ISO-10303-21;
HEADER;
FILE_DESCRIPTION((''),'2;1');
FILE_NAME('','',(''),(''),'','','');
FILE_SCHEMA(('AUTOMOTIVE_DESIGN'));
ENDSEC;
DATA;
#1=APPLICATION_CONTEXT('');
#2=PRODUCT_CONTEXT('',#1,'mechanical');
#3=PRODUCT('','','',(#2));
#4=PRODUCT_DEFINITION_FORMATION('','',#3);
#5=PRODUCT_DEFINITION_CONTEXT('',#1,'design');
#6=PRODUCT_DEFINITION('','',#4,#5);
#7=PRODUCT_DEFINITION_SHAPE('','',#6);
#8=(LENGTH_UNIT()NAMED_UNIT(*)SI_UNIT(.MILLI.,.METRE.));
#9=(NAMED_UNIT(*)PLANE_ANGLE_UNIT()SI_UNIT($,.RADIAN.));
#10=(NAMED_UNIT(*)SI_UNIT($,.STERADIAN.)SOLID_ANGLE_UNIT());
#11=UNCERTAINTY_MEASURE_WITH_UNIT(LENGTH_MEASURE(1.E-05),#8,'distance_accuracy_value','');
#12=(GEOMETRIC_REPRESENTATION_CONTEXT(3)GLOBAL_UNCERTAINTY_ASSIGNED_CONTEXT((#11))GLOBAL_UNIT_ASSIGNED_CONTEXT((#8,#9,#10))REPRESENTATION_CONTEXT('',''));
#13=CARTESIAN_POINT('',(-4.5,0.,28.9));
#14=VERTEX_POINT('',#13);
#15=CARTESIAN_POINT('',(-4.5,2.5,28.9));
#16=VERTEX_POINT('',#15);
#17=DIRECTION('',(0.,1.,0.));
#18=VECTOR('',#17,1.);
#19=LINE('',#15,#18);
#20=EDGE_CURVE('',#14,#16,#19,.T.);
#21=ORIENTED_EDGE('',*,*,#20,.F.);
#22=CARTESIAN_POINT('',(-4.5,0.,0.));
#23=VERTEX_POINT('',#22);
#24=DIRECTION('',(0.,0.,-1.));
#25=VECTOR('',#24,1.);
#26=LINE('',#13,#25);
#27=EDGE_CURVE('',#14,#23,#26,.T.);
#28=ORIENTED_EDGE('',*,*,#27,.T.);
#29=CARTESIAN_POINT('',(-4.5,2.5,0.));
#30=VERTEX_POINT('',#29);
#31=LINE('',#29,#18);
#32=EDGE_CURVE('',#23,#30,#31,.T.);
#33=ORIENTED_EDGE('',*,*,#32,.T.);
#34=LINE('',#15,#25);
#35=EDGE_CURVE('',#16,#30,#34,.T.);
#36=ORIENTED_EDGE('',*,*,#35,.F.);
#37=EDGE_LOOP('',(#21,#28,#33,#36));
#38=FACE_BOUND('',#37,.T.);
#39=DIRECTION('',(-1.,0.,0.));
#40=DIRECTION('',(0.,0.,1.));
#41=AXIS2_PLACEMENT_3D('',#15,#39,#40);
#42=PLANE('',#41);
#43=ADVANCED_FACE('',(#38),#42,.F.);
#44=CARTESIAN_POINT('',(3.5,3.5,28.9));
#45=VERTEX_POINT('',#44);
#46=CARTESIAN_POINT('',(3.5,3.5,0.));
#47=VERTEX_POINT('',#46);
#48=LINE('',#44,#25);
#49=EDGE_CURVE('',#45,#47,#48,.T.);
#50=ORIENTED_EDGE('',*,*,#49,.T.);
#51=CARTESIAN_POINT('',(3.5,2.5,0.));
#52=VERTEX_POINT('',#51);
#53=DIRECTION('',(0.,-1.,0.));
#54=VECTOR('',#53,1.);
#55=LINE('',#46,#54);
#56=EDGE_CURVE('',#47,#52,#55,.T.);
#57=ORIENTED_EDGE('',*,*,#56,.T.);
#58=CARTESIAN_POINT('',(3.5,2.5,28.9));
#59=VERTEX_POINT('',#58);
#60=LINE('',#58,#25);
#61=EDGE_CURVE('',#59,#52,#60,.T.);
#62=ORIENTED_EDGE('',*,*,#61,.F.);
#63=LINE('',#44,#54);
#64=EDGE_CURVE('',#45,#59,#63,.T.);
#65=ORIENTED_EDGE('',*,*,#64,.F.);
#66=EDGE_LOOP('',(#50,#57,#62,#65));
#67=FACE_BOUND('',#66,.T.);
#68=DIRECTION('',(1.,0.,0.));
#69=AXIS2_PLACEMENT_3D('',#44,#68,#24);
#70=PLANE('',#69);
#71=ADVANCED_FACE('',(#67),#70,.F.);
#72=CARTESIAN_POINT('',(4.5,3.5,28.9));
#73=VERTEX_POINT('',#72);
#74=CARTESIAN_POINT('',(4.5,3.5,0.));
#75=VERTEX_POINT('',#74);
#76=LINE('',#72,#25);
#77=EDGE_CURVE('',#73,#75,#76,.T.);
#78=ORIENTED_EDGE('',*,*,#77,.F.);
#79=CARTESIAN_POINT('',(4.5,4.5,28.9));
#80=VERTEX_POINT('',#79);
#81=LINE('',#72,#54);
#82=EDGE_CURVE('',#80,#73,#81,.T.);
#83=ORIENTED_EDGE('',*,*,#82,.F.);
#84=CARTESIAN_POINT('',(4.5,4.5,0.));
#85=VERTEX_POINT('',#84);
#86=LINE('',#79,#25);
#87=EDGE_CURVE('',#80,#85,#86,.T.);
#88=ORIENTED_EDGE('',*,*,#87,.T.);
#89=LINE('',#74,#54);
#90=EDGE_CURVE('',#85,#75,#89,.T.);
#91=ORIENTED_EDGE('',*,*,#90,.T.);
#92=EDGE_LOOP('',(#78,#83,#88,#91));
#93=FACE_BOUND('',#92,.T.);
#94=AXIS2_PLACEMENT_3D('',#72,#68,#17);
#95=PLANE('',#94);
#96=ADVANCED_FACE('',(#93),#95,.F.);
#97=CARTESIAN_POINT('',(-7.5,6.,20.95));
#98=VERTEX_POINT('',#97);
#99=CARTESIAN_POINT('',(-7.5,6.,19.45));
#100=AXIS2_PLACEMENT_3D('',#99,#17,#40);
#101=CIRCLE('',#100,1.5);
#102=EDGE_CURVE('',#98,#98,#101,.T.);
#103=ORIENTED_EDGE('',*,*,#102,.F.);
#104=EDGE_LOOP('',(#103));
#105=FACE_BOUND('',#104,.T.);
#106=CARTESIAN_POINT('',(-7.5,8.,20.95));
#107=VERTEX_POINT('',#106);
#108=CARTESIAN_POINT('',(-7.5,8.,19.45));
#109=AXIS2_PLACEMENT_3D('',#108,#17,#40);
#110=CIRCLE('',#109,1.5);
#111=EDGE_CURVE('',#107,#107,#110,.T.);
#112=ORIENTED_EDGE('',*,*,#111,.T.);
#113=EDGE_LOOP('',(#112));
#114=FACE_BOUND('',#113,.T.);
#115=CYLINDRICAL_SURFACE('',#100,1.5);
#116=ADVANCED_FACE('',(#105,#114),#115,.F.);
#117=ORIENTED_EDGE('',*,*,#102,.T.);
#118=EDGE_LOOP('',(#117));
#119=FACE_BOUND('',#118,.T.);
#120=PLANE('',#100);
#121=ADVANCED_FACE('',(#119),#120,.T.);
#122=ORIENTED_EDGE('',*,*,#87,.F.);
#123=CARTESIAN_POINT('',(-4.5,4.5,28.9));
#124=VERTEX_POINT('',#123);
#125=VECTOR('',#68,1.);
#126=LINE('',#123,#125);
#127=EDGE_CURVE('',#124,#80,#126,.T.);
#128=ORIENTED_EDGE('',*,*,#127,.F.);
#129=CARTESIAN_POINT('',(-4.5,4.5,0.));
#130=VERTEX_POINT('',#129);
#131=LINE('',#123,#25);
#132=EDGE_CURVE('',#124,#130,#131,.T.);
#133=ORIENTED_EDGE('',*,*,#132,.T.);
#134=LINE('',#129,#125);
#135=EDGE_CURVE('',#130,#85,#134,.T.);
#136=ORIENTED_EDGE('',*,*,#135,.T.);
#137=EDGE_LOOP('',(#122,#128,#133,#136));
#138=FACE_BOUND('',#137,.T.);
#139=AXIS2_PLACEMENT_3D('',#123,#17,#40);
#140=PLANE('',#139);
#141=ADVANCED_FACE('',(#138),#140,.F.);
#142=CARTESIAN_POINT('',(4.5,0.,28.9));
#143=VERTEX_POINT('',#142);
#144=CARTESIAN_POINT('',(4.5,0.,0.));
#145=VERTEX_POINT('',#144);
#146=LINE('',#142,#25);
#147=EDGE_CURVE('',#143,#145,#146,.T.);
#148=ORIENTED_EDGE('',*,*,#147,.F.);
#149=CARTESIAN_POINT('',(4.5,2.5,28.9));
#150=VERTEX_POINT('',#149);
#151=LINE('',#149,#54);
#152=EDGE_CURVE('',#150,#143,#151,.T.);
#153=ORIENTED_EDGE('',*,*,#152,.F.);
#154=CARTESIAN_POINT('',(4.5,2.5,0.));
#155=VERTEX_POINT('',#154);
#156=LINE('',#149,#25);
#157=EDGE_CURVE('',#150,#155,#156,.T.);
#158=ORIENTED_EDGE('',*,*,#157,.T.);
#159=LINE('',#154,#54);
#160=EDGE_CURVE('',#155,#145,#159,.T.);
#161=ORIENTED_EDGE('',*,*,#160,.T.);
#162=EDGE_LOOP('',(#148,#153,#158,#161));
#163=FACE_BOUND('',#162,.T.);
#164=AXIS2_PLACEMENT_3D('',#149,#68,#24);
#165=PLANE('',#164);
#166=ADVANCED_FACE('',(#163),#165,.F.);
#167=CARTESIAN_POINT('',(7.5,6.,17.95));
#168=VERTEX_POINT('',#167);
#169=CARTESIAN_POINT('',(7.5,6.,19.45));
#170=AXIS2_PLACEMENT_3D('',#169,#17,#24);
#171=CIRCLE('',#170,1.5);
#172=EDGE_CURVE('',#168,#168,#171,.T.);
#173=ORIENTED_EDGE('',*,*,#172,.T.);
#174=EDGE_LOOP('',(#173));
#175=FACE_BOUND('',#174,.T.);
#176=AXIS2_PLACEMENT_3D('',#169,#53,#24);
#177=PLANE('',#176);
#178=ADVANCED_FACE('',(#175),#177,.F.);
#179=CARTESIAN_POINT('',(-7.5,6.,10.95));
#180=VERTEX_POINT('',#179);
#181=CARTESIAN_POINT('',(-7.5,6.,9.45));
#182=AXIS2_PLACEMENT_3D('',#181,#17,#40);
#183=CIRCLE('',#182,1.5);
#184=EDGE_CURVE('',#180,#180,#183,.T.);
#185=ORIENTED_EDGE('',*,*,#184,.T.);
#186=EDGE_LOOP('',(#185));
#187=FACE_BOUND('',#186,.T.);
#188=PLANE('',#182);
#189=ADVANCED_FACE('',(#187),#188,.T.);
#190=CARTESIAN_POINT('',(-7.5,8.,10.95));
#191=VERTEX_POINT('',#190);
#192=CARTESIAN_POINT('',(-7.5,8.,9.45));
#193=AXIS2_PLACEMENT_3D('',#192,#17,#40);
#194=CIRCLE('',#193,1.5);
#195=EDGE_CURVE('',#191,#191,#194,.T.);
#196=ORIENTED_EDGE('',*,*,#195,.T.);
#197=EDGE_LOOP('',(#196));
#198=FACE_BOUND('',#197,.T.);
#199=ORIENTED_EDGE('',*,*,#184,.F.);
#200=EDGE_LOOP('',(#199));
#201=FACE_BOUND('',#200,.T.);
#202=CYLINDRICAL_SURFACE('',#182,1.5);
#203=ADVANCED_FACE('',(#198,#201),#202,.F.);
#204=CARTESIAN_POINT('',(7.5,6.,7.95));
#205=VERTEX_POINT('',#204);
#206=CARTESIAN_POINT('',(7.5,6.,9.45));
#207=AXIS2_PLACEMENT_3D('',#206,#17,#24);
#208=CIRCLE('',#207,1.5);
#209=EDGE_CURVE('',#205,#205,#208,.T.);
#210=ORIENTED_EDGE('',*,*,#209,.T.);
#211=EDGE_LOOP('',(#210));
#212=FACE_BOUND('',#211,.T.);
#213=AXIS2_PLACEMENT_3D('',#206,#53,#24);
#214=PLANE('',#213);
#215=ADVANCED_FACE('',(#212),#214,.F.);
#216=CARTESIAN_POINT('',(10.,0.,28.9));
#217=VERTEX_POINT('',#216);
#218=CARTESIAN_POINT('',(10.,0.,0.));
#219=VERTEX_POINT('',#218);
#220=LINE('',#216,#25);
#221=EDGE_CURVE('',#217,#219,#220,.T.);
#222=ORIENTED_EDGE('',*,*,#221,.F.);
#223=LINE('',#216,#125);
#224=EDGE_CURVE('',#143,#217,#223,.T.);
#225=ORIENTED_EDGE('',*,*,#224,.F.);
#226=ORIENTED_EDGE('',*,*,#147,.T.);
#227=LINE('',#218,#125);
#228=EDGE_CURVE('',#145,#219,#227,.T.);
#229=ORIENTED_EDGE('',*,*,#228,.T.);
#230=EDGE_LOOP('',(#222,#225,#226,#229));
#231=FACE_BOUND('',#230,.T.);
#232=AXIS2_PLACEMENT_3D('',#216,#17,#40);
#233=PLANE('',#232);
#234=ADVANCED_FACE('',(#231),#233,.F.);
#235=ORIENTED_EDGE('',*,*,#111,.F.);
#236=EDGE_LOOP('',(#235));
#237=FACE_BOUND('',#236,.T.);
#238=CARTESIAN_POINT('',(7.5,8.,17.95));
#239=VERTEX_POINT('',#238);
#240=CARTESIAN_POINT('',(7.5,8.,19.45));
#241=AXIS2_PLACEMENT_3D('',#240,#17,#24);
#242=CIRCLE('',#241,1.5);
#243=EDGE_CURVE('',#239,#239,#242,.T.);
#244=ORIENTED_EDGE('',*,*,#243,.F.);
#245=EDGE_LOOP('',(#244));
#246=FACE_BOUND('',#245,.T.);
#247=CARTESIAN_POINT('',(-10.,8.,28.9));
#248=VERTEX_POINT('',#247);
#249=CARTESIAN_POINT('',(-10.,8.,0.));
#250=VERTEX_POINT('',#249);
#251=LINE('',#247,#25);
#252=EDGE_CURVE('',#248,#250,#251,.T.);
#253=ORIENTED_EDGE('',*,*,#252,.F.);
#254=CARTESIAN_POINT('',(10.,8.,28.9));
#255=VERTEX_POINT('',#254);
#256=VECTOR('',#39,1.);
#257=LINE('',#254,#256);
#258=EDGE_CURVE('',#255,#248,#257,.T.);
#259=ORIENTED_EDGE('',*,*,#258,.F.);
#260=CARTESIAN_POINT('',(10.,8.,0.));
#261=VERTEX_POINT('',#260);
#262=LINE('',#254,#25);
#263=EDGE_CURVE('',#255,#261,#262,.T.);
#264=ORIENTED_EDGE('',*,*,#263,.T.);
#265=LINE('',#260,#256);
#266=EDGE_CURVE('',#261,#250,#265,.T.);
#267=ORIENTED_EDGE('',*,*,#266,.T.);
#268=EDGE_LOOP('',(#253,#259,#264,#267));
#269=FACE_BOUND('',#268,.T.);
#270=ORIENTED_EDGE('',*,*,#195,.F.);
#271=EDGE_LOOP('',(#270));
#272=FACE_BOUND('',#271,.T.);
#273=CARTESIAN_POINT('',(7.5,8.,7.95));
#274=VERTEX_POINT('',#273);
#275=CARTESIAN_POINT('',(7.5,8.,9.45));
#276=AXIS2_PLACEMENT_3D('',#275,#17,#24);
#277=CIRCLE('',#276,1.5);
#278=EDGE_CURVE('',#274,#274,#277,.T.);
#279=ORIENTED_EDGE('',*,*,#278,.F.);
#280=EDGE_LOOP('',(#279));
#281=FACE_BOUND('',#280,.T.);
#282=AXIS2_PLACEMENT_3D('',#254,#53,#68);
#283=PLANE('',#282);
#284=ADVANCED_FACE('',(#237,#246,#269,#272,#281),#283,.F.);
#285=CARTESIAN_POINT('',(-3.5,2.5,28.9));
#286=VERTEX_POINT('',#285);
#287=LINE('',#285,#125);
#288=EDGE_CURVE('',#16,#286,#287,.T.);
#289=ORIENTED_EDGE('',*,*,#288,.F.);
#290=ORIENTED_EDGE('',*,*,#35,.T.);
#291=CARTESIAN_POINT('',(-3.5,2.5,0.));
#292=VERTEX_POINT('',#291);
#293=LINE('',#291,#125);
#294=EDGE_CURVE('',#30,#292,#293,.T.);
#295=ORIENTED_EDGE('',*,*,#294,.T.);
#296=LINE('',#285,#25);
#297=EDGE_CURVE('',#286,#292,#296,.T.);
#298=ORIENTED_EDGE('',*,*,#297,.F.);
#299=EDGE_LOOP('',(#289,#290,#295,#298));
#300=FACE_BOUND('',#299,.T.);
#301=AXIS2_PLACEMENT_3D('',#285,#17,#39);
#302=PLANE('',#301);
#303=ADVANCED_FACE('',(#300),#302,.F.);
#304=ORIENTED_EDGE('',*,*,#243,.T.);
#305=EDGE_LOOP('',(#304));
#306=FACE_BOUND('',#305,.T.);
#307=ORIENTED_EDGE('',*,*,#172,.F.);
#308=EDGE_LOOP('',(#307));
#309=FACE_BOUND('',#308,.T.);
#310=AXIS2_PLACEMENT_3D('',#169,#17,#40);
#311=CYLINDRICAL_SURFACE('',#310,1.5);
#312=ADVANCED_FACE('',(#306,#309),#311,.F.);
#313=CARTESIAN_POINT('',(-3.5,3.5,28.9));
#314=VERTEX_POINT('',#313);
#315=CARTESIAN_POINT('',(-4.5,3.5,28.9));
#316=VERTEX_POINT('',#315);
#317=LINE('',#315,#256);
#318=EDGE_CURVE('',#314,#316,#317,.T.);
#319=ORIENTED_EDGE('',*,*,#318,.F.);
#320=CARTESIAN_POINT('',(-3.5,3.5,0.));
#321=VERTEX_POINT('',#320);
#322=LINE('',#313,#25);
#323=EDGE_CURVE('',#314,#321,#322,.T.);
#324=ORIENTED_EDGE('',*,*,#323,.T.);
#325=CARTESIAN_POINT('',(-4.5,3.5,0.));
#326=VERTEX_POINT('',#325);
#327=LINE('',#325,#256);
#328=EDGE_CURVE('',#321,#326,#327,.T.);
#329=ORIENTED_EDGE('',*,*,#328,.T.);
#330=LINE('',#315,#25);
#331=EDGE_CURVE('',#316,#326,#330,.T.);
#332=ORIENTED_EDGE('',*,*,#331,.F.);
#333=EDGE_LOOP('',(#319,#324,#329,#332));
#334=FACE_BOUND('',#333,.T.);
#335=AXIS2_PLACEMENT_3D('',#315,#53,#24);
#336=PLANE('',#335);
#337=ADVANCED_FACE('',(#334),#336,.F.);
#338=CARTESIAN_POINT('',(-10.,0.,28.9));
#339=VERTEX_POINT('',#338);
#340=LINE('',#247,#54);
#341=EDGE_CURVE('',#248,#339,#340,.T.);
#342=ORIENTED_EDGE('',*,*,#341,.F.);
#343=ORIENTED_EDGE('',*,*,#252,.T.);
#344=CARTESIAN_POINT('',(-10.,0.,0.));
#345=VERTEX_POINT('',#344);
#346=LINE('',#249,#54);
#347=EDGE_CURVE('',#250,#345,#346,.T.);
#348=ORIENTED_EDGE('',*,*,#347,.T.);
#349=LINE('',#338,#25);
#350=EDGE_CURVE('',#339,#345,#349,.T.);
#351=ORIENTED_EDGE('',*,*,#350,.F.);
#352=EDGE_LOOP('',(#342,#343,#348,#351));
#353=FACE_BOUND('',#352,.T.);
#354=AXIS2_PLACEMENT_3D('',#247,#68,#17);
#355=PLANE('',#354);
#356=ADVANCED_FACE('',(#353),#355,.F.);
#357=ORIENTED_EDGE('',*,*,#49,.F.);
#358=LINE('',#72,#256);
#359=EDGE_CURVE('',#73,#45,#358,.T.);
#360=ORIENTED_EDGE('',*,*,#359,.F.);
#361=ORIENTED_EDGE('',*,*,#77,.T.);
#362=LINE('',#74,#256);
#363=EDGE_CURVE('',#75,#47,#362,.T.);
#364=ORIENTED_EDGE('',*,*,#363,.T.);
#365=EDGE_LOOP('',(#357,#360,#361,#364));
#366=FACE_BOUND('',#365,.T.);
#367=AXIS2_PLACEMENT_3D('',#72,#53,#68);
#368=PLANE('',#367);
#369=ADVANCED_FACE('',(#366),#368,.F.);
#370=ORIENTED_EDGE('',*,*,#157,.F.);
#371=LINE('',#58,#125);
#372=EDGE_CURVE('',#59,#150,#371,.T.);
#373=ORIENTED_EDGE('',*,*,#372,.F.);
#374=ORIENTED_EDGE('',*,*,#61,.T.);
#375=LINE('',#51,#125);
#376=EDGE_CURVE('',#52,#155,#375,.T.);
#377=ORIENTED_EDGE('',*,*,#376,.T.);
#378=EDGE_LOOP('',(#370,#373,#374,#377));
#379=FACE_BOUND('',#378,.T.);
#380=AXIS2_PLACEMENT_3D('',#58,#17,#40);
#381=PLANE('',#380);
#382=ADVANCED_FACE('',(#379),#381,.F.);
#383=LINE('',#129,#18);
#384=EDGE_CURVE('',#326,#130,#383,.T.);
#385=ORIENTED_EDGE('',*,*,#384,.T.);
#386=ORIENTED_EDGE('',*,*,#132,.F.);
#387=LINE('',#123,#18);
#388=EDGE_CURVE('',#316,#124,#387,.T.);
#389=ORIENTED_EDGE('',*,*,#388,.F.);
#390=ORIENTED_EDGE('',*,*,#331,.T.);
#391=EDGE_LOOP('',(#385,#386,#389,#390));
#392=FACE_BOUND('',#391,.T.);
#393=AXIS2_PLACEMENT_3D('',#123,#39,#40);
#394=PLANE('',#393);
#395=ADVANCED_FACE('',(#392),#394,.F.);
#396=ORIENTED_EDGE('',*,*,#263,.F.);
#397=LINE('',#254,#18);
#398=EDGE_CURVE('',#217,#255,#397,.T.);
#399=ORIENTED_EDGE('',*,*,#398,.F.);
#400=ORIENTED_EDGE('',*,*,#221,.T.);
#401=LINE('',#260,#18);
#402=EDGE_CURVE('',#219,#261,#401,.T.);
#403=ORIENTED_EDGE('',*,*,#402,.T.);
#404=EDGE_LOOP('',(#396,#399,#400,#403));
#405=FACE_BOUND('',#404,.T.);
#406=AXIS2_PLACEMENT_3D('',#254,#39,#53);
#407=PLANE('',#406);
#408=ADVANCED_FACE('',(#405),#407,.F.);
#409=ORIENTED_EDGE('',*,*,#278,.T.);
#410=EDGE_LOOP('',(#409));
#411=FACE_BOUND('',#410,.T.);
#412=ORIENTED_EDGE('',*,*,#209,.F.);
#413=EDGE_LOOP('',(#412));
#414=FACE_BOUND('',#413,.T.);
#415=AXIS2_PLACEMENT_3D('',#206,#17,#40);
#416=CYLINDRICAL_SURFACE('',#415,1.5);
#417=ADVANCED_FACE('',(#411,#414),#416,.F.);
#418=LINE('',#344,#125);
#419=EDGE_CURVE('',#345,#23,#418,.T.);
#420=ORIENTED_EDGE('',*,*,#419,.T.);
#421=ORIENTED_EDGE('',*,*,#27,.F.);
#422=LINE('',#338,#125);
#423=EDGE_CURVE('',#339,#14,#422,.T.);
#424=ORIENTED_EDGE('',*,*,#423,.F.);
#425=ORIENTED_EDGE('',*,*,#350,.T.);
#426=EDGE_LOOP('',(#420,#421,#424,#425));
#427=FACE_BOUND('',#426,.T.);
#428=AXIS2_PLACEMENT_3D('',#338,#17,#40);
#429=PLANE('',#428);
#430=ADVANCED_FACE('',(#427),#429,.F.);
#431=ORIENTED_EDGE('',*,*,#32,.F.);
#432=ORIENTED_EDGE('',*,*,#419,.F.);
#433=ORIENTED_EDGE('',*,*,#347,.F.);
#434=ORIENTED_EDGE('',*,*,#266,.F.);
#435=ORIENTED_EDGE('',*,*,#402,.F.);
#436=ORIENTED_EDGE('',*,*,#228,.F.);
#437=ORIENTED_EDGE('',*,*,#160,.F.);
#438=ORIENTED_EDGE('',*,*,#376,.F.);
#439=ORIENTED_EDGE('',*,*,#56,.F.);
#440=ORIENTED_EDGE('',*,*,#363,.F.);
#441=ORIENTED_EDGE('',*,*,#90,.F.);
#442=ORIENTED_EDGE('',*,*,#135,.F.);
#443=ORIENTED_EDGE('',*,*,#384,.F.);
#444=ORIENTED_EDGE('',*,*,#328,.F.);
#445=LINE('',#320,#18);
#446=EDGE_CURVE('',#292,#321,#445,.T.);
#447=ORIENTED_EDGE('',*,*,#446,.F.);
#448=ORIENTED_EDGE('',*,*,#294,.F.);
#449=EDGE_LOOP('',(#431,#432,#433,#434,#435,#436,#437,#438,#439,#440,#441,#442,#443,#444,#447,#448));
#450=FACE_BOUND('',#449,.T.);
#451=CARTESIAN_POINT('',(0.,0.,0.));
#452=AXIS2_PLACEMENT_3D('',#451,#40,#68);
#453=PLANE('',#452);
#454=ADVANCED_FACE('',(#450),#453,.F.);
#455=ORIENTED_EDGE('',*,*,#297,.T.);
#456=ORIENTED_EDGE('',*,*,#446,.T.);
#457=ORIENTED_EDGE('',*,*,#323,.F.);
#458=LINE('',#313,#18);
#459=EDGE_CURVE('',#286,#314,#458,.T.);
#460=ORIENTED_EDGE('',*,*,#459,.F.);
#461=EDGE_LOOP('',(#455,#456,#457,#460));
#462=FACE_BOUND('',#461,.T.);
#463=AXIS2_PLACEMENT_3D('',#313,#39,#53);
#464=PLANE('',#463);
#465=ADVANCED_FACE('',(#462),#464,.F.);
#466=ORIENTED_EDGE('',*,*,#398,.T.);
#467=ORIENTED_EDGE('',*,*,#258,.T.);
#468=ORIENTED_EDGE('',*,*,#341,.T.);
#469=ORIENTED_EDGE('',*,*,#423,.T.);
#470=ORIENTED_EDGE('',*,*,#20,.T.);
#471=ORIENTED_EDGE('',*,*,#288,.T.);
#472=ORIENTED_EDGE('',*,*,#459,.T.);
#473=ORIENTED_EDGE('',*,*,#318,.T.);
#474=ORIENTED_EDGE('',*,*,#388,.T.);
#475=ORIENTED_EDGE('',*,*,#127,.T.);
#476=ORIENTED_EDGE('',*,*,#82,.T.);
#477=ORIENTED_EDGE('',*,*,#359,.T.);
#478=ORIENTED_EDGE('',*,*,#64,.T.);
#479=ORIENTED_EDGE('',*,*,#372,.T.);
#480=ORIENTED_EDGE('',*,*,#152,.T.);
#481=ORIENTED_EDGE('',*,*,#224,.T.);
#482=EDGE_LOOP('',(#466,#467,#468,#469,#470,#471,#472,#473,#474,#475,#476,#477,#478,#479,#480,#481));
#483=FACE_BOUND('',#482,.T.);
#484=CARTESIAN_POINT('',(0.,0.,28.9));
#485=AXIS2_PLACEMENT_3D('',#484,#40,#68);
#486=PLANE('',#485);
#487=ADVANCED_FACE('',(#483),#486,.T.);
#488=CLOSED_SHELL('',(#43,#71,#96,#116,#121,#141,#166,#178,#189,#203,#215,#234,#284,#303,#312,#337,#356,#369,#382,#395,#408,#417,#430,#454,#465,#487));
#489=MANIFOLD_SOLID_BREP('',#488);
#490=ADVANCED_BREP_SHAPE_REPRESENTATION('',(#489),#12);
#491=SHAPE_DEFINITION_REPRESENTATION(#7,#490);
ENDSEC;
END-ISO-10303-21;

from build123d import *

# Parameters (mm, degrees)
EXTRUDE_1_DEPTH     = 28.9
SKETCH_2_R          = 1.5
CUT_EXTRUDE_1_DEPTH = 2


with BuildPart() as part:
    # 草图1 → 凸台-拉伸1 (new body)
    with BuildSketch(Plane.XY):
        Polygon((10, 8), (-10, 8), (-10, 0), (-4.5, 0), (-4.5, 2.5), (-3.5, 2.5), (-3.5, 3.5), (-4.5, 3.5), (-4.5, 4.5), (4.5, 4.5), (4.5, 3.5), (3.5, 3.5), (3.5, 2.5), (4.5, 2.5), (4.5, 0), (10, 0), align=None)
    extrude(amount=EXTRUDE_1_DEPTH)

    # 草图2 → 切除-拉伸1 (cut)
    with BuildSketch(Plane(origin=(0, 8, 0), x_dir=(1, 0, 0), z_dir=(0, 1, 0))):
        with Locations(Location((-7.5, -9.45, 0), (0, 0, 270))):
            Circle(SKETCH_2_R)
        with Locations(Location((-7.5, -19.45, 0), (0, 0, 270))):
            Circle(SKETCH_2_R)
        with Locations(Location((7.5, -19.45, 0), (0, 0, 90))):
            Circle(SKETCH_2_R)
        with Locations(Location((7.5, -9.45, 0), (0, 0, 90))):
            Circle(SKETCH_2_R)
    extrude(amount=-CUT_EXTRUDE_1_DEPTH, mode=Mode.SUBTRACT)


solid = part.part
